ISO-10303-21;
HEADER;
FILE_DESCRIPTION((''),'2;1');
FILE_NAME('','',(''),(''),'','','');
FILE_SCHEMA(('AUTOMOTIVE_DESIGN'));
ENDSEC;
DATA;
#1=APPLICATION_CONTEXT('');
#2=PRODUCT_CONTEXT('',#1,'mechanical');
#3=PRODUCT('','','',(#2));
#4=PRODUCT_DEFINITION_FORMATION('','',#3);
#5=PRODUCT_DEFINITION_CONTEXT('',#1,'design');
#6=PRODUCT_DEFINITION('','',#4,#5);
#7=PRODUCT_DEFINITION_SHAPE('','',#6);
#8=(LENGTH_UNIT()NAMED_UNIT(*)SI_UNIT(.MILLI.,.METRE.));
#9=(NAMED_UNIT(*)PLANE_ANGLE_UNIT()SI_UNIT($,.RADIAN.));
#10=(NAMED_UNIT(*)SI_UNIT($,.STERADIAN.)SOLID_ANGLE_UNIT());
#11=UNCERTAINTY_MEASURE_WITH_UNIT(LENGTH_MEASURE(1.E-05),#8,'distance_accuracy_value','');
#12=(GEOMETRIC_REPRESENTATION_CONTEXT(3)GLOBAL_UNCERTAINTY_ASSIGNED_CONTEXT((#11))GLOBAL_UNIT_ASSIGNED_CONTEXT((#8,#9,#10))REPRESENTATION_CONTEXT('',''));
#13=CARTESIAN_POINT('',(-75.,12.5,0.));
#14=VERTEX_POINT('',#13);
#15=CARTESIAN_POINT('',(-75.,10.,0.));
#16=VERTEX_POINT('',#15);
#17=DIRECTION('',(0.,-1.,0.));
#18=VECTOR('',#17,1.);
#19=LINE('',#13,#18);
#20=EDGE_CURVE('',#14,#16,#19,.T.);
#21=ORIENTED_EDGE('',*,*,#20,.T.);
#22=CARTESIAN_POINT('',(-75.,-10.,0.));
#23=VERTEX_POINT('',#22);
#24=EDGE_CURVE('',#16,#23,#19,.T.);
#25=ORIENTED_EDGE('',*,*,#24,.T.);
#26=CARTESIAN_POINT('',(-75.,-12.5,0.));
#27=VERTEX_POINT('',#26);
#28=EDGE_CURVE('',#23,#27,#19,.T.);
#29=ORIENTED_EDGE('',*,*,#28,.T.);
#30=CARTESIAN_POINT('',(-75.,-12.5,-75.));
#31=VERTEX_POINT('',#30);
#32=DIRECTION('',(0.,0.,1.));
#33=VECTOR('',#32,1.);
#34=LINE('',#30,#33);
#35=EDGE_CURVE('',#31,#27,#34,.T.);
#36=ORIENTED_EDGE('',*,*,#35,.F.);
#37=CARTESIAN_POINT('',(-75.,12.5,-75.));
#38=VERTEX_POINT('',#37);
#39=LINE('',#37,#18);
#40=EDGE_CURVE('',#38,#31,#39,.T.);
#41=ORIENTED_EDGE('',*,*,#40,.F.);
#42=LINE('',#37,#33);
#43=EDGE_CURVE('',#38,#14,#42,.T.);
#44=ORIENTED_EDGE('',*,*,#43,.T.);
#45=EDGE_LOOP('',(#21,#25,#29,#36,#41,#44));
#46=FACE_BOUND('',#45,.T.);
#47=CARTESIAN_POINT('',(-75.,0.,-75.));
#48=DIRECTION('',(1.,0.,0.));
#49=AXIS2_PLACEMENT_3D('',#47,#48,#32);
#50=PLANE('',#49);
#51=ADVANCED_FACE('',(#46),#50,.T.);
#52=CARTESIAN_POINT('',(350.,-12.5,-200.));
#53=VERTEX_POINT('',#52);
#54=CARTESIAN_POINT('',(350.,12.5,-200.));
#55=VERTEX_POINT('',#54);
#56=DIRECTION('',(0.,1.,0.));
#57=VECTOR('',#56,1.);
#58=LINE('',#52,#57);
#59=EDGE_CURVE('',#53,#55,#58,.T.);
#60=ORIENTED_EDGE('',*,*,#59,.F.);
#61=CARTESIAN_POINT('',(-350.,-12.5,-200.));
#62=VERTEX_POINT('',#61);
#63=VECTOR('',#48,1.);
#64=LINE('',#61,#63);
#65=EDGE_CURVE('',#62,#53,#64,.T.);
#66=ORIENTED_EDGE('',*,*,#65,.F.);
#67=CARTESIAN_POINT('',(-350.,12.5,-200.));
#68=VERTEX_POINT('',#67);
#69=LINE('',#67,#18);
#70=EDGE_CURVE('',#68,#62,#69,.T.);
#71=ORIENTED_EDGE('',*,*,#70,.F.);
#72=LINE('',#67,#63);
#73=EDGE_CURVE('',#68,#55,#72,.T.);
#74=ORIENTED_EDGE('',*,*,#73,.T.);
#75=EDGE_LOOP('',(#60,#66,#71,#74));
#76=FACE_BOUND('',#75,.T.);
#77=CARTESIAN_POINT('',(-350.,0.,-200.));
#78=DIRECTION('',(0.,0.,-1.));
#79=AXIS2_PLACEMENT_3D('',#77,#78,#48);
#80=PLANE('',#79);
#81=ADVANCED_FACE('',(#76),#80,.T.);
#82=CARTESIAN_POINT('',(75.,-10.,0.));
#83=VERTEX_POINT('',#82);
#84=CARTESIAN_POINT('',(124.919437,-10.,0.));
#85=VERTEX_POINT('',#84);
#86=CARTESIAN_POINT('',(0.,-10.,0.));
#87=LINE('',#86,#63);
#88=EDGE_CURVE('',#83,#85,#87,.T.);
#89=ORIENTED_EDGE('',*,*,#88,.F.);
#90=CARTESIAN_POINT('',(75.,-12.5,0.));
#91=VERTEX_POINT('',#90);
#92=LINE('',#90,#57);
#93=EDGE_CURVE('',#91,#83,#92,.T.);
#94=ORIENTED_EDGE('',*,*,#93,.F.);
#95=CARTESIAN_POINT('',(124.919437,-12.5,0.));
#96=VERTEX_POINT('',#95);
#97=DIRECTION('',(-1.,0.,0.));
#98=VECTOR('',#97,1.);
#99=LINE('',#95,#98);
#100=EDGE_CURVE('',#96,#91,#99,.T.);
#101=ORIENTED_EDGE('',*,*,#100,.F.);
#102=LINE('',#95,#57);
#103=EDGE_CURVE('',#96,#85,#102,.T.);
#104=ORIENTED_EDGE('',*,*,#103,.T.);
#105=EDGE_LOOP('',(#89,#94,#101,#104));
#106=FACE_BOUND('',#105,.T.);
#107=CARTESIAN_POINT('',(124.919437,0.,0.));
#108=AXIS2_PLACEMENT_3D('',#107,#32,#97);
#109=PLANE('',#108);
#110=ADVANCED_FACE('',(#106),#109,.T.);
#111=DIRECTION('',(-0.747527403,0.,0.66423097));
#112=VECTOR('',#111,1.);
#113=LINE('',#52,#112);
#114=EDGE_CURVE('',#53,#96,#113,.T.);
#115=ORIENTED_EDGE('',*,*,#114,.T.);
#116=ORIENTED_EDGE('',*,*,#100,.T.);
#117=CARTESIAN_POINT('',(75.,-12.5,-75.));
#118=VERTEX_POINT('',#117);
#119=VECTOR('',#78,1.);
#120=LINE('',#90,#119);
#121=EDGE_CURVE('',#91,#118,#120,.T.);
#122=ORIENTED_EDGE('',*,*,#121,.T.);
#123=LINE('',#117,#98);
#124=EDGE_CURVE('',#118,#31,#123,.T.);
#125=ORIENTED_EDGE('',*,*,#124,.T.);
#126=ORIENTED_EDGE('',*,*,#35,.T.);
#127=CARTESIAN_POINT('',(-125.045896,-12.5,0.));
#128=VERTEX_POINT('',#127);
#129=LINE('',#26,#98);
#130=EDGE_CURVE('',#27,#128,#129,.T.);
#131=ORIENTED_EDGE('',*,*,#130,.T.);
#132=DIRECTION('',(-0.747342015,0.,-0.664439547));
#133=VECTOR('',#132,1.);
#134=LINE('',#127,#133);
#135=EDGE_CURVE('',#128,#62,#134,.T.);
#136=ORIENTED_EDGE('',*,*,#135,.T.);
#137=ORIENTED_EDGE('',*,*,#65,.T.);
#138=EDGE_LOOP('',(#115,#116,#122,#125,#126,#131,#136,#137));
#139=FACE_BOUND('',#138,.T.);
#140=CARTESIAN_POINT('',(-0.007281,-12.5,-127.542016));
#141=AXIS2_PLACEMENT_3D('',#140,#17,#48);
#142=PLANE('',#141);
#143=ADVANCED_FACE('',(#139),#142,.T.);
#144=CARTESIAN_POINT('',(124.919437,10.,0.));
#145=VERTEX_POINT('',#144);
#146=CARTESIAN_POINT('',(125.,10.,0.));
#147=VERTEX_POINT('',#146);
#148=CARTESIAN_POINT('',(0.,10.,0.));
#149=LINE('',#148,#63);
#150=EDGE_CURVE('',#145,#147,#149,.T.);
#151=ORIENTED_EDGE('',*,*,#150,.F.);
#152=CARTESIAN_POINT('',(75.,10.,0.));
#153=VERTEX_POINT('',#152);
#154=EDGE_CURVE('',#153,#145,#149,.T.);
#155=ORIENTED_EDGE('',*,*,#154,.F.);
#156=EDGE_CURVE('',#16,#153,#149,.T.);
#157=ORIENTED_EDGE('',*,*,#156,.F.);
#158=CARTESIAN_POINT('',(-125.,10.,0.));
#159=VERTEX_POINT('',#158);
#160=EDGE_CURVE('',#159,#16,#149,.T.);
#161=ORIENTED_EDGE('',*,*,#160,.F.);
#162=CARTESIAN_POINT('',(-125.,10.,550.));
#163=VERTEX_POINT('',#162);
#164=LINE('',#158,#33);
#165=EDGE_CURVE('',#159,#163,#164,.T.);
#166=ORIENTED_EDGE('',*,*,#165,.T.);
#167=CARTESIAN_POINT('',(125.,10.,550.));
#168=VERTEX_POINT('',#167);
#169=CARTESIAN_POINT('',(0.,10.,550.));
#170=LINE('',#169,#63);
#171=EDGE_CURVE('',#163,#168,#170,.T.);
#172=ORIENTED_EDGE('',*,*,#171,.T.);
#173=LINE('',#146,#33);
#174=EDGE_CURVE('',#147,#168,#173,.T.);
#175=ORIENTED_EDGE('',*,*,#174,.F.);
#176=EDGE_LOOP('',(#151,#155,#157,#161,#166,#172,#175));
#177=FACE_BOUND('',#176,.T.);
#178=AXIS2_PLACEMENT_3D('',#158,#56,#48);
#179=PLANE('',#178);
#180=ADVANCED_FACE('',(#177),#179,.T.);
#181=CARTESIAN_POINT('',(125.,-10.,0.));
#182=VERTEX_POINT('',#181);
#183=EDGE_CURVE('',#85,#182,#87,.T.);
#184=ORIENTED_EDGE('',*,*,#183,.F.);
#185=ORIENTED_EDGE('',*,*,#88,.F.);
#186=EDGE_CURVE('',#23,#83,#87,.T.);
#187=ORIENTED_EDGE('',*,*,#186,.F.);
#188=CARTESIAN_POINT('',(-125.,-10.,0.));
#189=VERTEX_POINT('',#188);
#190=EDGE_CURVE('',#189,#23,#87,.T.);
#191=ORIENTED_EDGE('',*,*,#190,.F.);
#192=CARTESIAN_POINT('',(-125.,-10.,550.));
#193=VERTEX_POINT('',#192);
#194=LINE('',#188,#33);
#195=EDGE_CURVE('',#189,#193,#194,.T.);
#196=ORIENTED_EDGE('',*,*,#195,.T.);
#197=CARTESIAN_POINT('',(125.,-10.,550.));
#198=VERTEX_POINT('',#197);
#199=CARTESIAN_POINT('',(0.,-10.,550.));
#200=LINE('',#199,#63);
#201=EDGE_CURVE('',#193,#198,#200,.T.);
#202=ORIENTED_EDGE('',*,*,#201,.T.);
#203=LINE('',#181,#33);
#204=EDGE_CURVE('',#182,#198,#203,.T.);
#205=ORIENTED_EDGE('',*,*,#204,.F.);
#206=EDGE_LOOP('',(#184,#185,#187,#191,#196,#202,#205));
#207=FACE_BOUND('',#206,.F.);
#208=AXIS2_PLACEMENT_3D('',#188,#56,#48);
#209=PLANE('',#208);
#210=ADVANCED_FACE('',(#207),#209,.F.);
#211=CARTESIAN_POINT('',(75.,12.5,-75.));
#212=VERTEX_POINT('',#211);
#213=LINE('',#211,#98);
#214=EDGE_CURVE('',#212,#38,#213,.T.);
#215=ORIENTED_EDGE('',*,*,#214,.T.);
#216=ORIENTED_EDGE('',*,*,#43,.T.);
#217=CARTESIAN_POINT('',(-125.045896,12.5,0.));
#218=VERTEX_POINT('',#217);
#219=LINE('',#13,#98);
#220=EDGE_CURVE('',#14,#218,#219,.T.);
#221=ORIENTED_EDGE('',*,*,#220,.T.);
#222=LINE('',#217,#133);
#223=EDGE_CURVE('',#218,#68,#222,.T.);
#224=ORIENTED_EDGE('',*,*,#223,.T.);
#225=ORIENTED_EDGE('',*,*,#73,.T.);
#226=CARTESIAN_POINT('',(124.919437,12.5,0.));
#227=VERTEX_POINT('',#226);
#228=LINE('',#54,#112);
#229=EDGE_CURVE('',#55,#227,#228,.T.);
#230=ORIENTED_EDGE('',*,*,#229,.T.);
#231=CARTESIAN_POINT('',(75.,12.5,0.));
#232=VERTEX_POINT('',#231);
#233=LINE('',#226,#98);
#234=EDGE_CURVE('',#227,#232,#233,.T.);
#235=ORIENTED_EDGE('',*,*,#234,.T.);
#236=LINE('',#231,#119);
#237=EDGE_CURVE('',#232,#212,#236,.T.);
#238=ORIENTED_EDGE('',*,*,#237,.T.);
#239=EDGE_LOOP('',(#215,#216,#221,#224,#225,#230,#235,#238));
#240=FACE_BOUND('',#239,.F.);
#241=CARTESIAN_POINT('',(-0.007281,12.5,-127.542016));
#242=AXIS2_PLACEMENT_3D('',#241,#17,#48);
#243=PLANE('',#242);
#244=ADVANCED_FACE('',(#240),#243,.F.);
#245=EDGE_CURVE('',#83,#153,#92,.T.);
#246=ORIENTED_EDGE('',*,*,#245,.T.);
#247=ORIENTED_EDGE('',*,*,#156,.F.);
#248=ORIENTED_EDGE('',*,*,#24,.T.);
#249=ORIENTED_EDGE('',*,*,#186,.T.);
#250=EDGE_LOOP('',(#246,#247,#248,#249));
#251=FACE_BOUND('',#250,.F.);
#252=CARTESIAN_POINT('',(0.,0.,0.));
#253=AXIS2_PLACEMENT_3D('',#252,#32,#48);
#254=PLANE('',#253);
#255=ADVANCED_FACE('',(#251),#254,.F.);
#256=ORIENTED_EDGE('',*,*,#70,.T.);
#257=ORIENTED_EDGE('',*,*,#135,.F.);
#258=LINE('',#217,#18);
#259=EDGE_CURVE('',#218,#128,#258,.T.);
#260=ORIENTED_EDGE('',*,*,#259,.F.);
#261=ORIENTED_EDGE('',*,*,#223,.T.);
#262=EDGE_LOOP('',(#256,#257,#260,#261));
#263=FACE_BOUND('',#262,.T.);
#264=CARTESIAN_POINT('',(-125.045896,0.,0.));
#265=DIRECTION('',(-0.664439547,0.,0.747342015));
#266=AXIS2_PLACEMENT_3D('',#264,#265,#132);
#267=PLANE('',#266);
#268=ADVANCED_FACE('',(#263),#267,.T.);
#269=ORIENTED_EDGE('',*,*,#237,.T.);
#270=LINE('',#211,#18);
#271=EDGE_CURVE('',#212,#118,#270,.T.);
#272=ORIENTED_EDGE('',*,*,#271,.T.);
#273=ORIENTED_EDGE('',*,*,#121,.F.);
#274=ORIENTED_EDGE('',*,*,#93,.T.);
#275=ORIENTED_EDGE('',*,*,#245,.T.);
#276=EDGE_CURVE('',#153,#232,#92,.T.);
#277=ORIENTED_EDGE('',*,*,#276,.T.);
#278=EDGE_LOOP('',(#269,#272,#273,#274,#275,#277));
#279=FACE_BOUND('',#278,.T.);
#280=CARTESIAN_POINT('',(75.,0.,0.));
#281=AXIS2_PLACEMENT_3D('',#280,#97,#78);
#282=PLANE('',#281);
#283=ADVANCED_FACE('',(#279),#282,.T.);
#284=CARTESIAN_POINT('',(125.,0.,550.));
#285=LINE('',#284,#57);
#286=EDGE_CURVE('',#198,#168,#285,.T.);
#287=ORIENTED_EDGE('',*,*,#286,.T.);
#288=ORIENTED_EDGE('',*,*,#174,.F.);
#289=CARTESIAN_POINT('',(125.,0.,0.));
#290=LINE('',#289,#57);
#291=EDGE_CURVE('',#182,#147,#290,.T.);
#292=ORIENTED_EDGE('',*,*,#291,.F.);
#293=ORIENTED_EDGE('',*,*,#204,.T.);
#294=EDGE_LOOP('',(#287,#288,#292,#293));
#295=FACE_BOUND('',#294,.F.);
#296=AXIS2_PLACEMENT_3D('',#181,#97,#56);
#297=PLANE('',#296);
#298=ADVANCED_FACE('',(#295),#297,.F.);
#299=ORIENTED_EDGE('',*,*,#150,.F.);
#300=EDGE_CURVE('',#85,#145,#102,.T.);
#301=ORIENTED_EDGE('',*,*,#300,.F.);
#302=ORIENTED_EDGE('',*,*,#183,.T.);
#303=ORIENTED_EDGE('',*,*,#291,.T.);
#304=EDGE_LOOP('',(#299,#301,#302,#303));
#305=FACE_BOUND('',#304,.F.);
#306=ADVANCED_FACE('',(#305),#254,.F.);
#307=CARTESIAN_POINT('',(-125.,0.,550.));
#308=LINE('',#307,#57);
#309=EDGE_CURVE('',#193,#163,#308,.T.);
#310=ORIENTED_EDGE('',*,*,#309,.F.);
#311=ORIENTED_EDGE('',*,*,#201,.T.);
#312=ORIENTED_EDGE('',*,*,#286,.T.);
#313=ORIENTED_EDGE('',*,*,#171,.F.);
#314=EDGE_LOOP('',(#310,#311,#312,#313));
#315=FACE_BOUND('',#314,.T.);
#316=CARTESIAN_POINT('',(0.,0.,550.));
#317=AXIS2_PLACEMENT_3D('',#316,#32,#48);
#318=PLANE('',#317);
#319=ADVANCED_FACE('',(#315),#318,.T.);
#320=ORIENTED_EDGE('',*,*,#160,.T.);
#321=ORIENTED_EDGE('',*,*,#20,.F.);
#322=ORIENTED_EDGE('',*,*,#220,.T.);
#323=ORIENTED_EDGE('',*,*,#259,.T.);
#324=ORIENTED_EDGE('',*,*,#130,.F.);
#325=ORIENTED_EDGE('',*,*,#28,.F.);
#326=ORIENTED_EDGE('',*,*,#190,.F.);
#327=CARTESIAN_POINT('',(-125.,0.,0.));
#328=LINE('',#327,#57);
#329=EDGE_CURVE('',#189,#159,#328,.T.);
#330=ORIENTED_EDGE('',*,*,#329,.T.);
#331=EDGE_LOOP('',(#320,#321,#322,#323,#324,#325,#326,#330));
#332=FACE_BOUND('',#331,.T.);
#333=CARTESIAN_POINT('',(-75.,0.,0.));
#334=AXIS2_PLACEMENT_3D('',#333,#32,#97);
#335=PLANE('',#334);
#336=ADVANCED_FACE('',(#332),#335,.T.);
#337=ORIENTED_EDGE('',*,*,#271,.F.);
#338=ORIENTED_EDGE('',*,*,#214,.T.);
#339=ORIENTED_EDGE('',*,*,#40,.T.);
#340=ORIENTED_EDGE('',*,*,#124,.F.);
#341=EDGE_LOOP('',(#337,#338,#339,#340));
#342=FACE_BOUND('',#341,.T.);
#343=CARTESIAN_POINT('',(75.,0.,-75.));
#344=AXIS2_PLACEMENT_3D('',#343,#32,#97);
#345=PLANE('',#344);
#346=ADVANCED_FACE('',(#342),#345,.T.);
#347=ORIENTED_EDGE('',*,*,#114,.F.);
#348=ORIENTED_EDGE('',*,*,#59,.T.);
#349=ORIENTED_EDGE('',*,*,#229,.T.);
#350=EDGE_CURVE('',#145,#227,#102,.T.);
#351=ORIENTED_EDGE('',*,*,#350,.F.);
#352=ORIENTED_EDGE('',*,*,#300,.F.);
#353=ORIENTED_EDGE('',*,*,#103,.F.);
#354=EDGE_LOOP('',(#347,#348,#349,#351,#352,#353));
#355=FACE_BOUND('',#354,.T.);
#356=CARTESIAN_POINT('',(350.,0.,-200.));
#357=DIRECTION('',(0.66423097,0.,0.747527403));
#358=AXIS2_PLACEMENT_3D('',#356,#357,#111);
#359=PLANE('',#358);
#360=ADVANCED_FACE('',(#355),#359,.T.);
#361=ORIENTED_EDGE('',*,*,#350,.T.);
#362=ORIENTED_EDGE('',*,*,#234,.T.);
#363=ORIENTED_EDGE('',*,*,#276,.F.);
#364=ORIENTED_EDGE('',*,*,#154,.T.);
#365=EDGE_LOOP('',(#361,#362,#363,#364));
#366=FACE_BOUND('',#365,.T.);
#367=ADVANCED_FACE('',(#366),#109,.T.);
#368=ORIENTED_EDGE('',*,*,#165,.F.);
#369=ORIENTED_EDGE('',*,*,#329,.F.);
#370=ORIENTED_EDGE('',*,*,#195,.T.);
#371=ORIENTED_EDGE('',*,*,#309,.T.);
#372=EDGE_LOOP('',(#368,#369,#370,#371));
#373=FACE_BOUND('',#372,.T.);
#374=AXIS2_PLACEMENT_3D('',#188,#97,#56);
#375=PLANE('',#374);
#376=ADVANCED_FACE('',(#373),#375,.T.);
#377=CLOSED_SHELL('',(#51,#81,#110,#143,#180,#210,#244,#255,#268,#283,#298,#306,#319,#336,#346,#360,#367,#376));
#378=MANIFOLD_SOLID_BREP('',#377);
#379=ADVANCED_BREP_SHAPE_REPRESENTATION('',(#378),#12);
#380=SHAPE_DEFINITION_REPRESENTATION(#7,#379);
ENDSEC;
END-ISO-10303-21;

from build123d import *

# Parameters (mm, degrees)
F0_W     = 250
F0_H     = 20
F1_DEPTH = 550
F3_DEPTH = 12.5


with BuildPart() as f1:
    # F0 (on Top) → F1 (new body)
    with BuildSketch(Plane.XY):
        Rectangle(F0_W, F0_H)
    extrude(amount=F1_DEPTH)

    # F2 (on Front) → F3 (join, symmetric)
    with BuildSketch(Plane.XZ):
        Polygon((75, 0), (75, -75), (-75, -75), (-75, 0), (-125.045896, 0), (-350, -200), (350, -200), (124.919437, 0), align=None)
    extrude(amount=F3_DEPTH, both=True)


solid = f1.part
